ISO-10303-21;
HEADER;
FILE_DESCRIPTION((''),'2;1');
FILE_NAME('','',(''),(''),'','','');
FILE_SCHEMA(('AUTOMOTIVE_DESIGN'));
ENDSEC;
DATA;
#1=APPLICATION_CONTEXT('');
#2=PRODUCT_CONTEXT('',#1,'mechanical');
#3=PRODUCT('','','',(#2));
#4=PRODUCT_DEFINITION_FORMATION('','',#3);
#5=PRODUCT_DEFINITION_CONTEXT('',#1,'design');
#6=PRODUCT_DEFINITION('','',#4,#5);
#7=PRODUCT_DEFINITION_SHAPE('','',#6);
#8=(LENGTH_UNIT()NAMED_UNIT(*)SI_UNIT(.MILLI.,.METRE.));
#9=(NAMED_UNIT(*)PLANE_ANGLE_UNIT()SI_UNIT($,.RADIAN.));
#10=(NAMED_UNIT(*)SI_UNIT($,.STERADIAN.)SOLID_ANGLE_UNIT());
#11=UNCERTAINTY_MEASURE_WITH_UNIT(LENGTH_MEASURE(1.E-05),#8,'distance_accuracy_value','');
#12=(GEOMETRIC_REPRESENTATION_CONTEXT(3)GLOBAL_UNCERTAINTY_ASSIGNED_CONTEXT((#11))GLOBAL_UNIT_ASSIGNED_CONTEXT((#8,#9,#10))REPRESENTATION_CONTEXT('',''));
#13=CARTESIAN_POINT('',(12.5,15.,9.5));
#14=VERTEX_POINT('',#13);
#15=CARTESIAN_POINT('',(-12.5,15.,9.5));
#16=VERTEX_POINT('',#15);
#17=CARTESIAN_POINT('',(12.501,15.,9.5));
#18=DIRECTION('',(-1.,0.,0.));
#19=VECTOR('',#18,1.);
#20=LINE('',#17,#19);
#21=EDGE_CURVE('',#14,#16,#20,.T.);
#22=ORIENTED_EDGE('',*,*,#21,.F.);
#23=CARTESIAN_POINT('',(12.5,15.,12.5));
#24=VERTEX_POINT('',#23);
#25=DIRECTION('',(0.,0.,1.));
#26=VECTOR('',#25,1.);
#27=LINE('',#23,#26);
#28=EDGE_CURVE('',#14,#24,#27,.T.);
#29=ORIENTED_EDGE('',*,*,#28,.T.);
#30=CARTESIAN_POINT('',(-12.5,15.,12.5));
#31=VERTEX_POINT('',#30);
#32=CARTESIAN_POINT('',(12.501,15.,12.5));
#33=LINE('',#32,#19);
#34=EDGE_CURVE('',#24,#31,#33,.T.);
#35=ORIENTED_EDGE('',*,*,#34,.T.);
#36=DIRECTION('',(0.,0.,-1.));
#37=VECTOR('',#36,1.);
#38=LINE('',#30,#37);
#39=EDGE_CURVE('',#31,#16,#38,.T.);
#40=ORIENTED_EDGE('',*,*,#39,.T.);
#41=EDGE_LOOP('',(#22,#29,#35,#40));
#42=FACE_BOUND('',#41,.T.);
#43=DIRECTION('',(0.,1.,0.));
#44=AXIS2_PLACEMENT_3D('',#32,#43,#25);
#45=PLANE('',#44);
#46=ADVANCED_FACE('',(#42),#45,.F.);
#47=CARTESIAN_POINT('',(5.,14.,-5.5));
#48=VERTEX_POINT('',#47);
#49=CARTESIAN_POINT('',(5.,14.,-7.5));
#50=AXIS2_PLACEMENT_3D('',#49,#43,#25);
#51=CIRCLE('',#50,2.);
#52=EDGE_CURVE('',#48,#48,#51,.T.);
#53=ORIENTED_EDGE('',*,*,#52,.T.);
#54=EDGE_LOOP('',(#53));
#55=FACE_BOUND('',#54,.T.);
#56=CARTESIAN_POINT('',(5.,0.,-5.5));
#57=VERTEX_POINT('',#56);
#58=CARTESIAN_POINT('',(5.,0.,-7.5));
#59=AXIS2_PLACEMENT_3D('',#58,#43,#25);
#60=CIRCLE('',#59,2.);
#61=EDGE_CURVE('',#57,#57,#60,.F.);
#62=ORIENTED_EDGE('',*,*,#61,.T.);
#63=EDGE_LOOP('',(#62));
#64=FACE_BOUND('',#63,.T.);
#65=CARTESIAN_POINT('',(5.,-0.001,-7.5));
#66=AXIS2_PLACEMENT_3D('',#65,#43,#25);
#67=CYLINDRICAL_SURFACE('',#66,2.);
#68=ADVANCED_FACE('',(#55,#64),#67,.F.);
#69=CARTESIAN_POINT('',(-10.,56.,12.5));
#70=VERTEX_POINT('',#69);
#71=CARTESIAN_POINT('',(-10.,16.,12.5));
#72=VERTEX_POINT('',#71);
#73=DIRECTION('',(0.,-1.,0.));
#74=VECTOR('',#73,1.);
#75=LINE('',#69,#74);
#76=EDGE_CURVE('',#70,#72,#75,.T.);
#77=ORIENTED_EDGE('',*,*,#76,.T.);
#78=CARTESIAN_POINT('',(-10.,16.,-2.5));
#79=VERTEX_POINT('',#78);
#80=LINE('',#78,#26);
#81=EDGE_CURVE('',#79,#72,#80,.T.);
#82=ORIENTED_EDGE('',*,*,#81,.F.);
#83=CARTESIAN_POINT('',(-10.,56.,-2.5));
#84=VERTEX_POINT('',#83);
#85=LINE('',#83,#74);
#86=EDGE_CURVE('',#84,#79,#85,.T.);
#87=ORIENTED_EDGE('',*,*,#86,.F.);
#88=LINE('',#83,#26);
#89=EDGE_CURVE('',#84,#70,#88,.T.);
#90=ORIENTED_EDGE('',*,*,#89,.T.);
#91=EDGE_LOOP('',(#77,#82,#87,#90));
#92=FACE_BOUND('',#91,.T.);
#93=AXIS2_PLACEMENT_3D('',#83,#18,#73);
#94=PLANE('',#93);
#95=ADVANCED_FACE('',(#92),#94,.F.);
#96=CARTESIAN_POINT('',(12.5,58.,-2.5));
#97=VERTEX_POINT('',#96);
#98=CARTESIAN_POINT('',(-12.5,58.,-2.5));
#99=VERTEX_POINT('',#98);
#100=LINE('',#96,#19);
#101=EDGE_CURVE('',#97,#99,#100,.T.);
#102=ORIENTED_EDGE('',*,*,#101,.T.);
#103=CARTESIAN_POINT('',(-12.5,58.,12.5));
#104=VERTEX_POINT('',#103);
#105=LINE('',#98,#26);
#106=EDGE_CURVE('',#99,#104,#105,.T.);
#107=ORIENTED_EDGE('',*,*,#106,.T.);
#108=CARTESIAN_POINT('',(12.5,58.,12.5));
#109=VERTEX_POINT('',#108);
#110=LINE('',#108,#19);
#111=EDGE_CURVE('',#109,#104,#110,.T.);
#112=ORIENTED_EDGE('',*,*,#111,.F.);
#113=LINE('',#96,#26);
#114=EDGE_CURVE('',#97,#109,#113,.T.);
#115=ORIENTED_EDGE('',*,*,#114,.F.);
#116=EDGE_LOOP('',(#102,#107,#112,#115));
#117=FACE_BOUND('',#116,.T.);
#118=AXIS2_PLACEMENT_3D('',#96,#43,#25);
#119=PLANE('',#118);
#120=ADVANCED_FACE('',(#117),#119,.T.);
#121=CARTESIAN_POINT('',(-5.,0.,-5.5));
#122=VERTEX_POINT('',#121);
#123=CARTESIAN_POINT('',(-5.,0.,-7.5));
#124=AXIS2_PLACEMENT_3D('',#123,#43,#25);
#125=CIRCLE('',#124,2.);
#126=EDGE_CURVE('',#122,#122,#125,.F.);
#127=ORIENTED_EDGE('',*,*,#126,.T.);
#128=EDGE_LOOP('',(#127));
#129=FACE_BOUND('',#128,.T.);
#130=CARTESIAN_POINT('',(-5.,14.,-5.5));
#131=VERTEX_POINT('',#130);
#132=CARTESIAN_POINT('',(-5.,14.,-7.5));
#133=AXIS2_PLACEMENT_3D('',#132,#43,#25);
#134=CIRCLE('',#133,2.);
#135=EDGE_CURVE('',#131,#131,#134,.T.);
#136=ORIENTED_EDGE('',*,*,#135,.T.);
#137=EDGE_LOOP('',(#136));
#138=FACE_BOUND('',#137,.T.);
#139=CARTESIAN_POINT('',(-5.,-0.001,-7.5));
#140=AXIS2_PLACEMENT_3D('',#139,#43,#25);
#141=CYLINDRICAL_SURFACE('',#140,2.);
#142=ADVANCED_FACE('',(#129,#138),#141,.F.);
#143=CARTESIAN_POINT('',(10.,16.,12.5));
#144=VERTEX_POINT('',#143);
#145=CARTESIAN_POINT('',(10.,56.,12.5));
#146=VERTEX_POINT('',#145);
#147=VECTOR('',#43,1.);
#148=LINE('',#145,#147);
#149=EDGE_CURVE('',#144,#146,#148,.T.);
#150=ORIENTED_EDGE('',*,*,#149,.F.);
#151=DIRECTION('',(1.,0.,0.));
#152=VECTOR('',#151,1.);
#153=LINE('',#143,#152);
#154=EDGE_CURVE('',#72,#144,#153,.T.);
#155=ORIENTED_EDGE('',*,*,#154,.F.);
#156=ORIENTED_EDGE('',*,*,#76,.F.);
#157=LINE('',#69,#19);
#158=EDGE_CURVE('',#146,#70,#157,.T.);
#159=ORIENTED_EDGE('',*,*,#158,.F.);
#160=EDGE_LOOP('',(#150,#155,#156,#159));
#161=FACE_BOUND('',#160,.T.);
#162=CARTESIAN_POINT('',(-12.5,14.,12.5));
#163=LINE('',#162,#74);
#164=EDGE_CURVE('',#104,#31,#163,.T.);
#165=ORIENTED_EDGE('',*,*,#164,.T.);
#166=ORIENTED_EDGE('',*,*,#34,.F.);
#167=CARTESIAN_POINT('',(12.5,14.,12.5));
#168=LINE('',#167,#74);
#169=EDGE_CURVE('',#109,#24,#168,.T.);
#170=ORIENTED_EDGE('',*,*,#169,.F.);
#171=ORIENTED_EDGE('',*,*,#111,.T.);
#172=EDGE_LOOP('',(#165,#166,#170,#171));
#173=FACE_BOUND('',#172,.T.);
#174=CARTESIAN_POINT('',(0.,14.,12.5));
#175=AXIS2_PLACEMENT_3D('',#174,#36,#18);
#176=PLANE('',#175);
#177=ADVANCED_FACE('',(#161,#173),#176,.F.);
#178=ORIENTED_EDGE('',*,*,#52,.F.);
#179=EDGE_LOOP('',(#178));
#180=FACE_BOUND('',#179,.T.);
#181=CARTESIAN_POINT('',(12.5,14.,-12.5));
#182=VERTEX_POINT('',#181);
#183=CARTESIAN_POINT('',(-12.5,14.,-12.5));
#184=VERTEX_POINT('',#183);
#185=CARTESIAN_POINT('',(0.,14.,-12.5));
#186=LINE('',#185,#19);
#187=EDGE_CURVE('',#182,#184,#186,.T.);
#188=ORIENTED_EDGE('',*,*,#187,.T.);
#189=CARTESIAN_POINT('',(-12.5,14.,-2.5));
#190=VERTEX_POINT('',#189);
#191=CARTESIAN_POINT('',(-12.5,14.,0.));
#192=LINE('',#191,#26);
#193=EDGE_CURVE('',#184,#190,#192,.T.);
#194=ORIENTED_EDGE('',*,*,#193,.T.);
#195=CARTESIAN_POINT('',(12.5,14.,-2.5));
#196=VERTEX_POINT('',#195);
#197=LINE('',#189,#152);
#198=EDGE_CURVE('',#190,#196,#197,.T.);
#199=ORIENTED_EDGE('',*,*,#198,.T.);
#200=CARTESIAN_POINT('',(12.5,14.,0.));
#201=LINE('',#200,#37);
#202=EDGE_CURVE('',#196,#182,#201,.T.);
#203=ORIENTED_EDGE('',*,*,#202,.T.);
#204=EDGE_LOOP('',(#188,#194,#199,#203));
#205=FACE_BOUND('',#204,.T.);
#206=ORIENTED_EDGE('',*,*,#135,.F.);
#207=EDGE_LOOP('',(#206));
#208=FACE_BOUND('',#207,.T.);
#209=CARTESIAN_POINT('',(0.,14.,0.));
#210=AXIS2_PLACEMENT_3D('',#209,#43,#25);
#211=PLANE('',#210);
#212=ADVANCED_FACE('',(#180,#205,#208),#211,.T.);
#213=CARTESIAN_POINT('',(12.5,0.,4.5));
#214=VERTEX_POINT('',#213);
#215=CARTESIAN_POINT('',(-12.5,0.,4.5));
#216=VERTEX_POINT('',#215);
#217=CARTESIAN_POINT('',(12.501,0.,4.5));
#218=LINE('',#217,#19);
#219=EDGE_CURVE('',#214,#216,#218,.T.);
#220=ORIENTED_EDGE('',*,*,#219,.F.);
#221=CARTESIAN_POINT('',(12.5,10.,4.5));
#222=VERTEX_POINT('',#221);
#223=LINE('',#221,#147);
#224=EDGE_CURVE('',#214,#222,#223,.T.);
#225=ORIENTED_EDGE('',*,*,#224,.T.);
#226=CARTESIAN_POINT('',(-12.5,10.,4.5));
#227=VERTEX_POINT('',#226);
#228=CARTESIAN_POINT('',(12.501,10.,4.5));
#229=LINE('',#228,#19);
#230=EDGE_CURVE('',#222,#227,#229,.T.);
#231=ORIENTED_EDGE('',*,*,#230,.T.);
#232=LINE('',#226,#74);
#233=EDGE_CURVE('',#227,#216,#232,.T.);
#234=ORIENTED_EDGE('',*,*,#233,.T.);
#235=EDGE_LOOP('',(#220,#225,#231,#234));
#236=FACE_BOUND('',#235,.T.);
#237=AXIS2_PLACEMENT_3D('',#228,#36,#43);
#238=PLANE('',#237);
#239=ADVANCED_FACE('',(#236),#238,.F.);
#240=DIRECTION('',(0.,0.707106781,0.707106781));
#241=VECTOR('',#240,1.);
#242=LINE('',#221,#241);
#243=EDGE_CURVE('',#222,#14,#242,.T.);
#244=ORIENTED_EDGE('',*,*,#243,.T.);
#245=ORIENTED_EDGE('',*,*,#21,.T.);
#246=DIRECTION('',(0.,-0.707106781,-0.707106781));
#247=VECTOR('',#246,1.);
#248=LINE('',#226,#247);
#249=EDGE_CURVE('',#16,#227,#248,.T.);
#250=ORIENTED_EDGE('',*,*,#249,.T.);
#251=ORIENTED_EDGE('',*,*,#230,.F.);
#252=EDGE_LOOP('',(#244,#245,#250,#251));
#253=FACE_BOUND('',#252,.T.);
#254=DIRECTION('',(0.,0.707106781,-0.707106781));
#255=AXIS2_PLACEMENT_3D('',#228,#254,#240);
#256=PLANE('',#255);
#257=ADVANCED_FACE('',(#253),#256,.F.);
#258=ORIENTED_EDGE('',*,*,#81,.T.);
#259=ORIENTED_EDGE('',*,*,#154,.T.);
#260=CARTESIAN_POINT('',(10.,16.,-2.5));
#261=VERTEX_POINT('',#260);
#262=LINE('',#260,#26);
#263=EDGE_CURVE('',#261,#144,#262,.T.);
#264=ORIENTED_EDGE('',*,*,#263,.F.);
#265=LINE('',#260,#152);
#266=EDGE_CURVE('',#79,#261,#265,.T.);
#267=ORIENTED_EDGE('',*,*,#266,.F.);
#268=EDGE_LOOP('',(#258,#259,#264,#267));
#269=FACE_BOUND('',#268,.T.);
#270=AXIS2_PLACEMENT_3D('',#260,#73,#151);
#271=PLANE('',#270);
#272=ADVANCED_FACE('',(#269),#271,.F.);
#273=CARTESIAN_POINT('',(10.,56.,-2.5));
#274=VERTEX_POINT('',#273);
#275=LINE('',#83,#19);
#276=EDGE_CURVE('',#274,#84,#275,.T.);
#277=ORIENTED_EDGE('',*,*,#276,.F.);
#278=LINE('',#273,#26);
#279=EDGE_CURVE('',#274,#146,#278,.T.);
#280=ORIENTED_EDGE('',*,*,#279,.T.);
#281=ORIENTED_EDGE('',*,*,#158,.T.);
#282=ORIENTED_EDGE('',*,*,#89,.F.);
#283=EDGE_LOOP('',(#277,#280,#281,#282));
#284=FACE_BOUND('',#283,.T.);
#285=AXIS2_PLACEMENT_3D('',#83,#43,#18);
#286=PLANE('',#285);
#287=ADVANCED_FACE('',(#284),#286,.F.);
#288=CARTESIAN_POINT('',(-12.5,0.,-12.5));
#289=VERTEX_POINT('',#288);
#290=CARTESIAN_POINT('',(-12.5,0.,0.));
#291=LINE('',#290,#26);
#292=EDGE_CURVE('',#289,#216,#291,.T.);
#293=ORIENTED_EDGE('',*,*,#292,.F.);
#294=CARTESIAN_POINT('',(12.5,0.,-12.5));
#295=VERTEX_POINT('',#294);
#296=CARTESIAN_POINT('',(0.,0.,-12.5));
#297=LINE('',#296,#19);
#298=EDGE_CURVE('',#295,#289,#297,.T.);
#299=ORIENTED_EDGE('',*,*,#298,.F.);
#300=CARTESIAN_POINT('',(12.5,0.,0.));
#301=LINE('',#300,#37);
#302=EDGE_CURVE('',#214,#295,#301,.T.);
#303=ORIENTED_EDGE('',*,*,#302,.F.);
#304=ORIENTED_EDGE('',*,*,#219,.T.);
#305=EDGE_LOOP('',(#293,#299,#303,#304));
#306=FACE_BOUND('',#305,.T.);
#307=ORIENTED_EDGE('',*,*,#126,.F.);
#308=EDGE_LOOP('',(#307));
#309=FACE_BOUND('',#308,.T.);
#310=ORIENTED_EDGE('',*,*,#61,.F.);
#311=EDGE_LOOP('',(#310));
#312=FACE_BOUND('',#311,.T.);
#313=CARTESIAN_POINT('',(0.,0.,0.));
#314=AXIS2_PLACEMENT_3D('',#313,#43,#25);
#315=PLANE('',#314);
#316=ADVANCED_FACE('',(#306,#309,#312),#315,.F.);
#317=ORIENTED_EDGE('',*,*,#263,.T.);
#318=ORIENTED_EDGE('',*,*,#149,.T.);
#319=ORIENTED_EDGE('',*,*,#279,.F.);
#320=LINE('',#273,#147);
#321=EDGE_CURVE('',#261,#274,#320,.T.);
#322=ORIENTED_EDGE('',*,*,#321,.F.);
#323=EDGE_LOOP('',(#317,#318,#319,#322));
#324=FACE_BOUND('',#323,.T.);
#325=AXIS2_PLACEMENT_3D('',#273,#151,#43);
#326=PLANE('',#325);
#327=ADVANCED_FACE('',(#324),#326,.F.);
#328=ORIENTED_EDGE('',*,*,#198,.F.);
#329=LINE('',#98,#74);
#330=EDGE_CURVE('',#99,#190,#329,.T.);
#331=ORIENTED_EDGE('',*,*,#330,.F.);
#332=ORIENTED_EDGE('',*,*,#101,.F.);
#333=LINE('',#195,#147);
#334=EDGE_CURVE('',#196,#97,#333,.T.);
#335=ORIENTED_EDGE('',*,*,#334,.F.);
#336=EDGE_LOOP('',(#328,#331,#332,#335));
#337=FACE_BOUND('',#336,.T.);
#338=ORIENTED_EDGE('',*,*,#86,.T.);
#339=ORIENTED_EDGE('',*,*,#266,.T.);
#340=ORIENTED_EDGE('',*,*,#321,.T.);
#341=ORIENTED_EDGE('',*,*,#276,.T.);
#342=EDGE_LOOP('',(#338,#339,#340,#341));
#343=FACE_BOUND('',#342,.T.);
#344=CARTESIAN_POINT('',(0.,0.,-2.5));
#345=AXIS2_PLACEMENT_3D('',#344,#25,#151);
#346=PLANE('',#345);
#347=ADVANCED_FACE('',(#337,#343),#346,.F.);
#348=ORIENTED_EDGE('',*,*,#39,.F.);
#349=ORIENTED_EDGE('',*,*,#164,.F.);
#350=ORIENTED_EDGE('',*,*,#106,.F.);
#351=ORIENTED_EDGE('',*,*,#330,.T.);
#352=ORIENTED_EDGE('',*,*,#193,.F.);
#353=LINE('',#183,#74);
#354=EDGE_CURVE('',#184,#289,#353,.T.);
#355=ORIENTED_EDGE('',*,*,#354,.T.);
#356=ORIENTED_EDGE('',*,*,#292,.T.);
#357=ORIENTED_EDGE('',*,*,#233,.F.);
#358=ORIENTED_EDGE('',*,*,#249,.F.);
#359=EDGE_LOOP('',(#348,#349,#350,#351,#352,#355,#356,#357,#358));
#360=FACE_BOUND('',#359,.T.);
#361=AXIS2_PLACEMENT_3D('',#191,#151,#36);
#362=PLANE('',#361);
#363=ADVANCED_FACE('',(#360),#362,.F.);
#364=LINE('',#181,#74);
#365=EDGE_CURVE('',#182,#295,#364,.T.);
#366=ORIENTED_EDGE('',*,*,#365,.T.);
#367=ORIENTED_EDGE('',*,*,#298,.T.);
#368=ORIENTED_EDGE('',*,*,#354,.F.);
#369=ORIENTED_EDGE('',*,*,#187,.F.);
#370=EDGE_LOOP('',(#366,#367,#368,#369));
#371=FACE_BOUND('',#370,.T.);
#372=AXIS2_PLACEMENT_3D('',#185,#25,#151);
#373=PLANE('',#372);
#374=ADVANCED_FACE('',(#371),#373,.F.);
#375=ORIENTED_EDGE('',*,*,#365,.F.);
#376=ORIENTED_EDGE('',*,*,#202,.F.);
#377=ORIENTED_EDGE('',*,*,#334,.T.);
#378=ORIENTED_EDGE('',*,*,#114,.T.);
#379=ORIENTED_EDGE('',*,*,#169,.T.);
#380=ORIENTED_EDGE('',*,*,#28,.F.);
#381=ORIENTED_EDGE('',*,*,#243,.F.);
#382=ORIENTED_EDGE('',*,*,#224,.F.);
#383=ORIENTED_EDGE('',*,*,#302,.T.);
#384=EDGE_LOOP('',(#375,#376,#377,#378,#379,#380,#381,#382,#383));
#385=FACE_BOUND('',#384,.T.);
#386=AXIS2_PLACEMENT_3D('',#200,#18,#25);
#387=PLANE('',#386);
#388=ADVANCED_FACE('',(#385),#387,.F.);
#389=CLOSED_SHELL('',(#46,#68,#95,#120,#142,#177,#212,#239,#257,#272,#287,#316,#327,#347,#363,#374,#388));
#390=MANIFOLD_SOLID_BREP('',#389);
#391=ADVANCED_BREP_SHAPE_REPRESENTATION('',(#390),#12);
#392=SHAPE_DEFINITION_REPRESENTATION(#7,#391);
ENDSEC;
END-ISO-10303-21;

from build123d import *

# Parameters (mm, degrees)
BOSS_EXTRU_1_DEPTH      = 14
ESQUISSE2_W             = 20
ESQUISSE2_H             = 40
BOSS_EXTRU_2_DEPTH      = 15
ENL_V_MAT_EXTRU_1_REACH = 66.384
ENL_V_MAT_EXTRU_2_REACH = 49.418
ESQUISSE4_R             = 2


with BuildPart() as part:
    # Esquisse1 → Boss.-Extru.1 (new body)
    with BuildSketch(Plane(origin=(0, 0, 0), x_dir=(1, 0, 0), z_dir=(0, 1, 0))):
        Polygon((12.5, -12.5), (12.5, 0), (12.5, 12.5), (-12.5, 12.5), (-12.5, -12.5), align=None)
    extrude(amount=BOSS_EXTRU_1_DEPTH)

    # Esquisse2 → Boss.-Extru.2 (add)
    with BuildSketch(Plane.XY.offset(12.5)):
        Polygon((-12.5, 14), (12.5, 14), (12.5, 16.5), (12.5, 58), (-12.5, 58), align=None)
        with Locations((0, 36)):
            Rectangle(ESQUISSE2_W, ESQUISSE2_H, mode=Mode.SUBTRACT)
    extrude(amount=-BOSS_EXTRU_2_DEPTH)

    # Esquisse3 → Enlèv. mat.-Extru.1 (cut, up to next)
    with BuildSketch(Plane.ZY.offset(12.5), mode=Mode.PRIVATE) as enl_v_mat_extru_1_sk1:
        Polygon((12.5, 0), (4.5, 0), (4.5, 10), (9.5, 15), (12.5, 15), align=None)
    enl_v_mat_extru_1_tool1 = extrude(enl_v_mat_extru_1_sk1.sketch, amount=-ENL_V_MAT_EXTRU_1_REACH, mode=Mode.PRIVATE) & part.part
    add(enl_v_mat_extru_1_tool1.solids().sort_by_distance((-12.5, 6.821705, 8.771318))[0], mode=Mode.SUBTRACT)

    # Esquisse4 → Enlèv. mat.-Extru.2 (cut, up to next)
    with BuildSketch(Plane(origin=(0, 14, 0), x_dir=(1, 0, 0), z_dir=(0, 1, 0)), mode=Mode.PRIVATE) as enl_v_mat_extru_2_sk1:
        with Locations(Location((5, 7.5, 0), (0, 0, 270))):
            Circle(ESQUISSE4_R)
    enl_v_mat_extru_2_tool1 = extrude(enl_v_mat_extru_2_sk1.sketch, amount=-ENL_V_MAT_EXTRU_2_REACH, mode=Mode.PRIVATE) & part.part
    # Esquisse4 → Enlèv. mat.-Extru.2 (cut, up to next)
    with BuildSketch(Plane(origin=(0, 14, 0), x_dir=(1, 0, 0), z_dir=(0, 1, 0)), mode=Mode.PRIVATE) as enl_v_mat_extru_2_sk2:
        with Locations(Location((-5, 7.5, 0), (0, 0, 270))):
            Circle(ESQUISSE4_R)
    enl_v_mat_extru_2_tool2 = extrude(enl_v_mat_extru_2_sk2.sketch, amount=-ENL_V_MAT_EXTRU_2_REACH, mode=Mode.PRIVATE) & part.part
    add(enl_v_mat_extru_2_tool1.solids().sort_by_distance((5, 14, -7.5))[0], mode=Mode.SUBTRACT)
    add(enl_v_mat_extru_2_tool2.solids().sort_by_distance((-5, 14, -7.5))[0], mode=Mode.SUBTRACT)


solid = part.part
